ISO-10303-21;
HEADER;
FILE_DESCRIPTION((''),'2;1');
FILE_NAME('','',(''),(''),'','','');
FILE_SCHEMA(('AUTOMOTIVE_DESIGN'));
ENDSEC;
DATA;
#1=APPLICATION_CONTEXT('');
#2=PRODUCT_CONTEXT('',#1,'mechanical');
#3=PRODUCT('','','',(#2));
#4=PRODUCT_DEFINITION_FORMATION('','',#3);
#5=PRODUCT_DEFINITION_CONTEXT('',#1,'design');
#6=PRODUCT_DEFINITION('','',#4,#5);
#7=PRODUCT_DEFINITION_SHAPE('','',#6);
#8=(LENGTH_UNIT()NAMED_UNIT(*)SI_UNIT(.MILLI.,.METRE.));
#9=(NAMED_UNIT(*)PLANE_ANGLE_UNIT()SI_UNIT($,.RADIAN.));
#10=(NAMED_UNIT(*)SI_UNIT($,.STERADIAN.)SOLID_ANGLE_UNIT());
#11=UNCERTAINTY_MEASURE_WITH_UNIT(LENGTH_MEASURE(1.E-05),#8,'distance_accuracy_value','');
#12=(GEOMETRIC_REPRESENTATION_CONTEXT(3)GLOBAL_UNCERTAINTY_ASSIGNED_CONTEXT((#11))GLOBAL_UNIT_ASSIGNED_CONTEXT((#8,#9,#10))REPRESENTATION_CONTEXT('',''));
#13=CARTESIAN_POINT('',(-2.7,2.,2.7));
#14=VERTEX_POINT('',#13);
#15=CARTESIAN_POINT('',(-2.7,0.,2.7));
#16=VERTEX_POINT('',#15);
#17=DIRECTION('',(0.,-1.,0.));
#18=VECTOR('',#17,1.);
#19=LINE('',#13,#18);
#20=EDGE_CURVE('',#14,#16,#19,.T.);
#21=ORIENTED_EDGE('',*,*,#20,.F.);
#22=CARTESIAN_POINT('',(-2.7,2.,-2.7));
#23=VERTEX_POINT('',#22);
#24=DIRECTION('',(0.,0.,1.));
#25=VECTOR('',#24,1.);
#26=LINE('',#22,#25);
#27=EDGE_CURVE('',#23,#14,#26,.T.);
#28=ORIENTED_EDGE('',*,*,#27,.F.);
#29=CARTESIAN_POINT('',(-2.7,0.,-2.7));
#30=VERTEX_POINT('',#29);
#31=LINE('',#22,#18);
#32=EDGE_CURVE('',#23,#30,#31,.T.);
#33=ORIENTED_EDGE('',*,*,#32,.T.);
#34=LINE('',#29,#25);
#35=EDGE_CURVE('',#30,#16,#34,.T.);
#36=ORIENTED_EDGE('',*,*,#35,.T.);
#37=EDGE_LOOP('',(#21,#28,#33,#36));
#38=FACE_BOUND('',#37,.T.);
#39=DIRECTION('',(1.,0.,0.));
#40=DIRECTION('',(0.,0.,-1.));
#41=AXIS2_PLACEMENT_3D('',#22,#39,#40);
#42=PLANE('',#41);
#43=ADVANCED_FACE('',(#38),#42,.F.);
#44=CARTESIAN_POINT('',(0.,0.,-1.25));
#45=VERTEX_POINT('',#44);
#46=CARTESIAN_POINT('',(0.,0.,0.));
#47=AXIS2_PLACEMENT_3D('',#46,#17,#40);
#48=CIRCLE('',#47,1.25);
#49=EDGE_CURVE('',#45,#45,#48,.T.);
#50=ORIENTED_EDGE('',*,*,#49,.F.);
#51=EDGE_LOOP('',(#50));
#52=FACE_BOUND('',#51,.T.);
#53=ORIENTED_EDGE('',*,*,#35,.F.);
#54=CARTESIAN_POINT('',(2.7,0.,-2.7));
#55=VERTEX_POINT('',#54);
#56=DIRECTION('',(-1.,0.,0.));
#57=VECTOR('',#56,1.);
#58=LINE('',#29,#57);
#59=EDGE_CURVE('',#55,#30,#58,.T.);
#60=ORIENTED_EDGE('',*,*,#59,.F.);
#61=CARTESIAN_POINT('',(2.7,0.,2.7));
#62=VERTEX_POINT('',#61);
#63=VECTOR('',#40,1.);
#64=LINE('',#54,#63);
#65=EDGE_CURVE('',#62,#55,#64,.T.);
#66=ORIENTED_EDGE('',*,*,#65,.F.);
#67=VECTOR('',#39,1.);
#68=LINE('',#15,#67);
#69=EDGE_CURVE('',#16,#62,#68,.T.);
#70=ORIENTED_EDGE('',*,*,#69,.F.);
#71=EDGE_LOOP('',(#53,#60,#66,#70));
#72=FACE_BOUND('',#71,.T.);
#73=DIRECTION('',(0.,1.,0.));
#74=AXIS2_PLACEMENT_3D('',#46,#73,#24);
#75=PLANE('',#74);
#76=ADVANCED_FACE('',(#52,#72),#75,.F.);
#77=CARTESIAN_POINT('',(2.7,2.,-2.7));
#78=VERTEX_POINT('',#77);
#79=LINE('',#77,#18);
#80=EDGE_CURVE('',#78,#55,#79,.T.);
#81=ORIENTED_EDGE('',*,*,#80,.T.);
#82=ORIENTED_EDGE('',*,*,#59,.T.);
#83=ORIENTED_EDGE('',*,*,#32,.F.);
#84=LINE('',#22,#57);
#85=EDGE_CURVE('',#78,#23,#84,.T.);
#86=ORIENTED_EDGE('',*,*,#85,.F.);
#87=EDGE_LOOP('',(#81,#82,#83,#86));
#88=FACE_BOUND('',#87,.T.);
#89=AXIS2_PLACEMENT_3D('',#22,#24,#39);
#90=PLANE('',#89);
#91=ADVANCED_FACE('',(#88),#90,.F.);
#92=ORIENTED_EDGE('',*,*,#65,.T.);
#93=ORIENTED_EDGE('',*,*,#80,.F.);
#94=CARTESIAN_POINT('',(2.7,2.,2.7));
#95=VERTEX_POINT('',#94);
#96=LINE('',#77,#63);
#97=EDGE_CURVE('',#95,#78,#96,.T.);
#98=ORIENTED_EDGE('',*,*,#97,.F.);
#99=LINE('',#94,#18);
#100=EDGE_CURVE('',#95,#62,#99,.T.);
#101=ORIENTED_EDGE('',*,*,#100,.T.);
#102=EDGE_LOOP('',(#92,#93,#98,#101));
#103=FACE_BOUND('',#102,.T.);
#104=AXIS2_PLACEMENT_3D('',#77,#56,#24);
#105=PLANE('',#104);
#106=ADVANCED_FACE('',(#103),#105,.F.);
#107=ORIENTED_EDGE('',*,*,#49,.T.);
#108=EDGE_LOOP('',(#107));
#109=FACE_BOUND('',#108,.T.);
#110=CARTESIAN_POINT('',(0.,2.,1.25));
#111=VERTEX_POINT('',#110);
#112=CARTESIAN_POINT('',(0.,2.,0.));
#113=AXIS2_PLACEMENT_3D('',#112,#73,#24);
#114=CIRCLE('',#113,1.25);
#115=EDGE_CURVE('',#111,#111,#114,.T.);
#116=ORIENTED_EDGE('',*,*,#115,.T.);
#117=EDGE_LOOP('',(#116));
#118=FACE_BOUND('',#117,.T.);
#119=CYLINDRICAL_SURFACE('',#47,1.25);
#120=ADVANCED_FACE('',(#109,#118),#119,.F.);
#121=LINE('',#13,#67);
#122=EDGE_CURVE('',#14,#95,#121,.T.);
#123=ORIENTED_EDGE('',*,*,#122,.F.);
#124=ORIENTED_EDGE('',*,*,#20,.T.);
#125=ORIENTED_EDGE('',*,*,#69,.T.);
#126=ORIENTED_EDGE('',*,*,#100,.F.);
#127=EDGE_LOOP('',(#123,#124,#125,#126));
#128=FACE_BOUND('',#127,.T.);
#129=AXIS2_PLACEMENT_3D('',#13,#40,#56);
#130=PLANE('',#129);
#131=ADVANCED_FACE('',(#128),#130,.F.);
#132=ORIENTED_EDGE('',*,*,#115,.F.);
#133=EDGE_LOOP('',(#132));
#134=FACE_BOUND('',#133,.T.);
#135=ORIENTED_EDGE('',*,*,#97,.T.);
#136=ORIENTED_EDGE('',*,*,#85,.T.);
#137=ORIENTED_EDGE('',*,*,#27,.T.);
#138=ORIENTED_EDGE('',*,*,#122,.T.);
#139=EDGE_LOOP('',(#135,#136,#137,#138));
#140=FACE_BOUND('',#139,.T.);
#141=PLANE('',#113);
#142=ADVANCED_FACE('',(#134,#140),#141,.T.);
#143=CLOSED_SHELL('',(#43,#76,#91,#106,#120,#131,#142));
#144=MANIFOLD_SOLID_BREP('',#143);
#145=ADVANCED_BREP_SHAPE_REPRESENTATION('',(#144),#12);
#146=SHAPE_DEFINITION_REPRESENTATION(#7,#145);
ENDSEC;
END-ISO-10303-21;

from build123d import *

# Parameters (mm, degrees)
SKETCH_1_W             = 5.4
SKETCH_1_H             = 5.4
EXTRUDE_1_DEPTH        = 2
HOLE_WIZARD_M3_1_D     = 2.5
HOLE_WIZARD_M3_1_DEPTH = 6.5
HOLE_WIZARD_M3_1_TIP   = 0.751075774


with BuildPart() as part:
    # 草图1 → 凸台-拉伸1 (new body)
    with BuildSketch(Plane(origin=(0, 0, 0), x_dir=(1, 0, 0), z_dir=(0, 1, 0))):
        Rectangle(SKETCH_1_W, SKETCH_1_H)
    extrude(amount=EXTRUDE_1_DEPTH)

    # M3 螺纹孔1
    with Locations(Plane(origin=(0, 0, 0), x_dir=(-1, 0, 0), z_dir=(0, -1, 0))):
        with Locations((0, 0)):
            Hole(HOLE_WIZARD_M3_1_D / 2, depth=HOLE_WIZARD_M3_1_DEPTH)
            with Locations((0, 0, -(HOLE_WIZARD_M3_1_DEPTH + HOLE_WIZARD_M3_1_TIP / 2))):  # 118° drill point
                Cone(0, HOLE_WIZARD_M3_1_D / 2, HOLE_WIZARD_M3_1_TIP, mode=Mode.SUBTRACT)


solid = part.part
